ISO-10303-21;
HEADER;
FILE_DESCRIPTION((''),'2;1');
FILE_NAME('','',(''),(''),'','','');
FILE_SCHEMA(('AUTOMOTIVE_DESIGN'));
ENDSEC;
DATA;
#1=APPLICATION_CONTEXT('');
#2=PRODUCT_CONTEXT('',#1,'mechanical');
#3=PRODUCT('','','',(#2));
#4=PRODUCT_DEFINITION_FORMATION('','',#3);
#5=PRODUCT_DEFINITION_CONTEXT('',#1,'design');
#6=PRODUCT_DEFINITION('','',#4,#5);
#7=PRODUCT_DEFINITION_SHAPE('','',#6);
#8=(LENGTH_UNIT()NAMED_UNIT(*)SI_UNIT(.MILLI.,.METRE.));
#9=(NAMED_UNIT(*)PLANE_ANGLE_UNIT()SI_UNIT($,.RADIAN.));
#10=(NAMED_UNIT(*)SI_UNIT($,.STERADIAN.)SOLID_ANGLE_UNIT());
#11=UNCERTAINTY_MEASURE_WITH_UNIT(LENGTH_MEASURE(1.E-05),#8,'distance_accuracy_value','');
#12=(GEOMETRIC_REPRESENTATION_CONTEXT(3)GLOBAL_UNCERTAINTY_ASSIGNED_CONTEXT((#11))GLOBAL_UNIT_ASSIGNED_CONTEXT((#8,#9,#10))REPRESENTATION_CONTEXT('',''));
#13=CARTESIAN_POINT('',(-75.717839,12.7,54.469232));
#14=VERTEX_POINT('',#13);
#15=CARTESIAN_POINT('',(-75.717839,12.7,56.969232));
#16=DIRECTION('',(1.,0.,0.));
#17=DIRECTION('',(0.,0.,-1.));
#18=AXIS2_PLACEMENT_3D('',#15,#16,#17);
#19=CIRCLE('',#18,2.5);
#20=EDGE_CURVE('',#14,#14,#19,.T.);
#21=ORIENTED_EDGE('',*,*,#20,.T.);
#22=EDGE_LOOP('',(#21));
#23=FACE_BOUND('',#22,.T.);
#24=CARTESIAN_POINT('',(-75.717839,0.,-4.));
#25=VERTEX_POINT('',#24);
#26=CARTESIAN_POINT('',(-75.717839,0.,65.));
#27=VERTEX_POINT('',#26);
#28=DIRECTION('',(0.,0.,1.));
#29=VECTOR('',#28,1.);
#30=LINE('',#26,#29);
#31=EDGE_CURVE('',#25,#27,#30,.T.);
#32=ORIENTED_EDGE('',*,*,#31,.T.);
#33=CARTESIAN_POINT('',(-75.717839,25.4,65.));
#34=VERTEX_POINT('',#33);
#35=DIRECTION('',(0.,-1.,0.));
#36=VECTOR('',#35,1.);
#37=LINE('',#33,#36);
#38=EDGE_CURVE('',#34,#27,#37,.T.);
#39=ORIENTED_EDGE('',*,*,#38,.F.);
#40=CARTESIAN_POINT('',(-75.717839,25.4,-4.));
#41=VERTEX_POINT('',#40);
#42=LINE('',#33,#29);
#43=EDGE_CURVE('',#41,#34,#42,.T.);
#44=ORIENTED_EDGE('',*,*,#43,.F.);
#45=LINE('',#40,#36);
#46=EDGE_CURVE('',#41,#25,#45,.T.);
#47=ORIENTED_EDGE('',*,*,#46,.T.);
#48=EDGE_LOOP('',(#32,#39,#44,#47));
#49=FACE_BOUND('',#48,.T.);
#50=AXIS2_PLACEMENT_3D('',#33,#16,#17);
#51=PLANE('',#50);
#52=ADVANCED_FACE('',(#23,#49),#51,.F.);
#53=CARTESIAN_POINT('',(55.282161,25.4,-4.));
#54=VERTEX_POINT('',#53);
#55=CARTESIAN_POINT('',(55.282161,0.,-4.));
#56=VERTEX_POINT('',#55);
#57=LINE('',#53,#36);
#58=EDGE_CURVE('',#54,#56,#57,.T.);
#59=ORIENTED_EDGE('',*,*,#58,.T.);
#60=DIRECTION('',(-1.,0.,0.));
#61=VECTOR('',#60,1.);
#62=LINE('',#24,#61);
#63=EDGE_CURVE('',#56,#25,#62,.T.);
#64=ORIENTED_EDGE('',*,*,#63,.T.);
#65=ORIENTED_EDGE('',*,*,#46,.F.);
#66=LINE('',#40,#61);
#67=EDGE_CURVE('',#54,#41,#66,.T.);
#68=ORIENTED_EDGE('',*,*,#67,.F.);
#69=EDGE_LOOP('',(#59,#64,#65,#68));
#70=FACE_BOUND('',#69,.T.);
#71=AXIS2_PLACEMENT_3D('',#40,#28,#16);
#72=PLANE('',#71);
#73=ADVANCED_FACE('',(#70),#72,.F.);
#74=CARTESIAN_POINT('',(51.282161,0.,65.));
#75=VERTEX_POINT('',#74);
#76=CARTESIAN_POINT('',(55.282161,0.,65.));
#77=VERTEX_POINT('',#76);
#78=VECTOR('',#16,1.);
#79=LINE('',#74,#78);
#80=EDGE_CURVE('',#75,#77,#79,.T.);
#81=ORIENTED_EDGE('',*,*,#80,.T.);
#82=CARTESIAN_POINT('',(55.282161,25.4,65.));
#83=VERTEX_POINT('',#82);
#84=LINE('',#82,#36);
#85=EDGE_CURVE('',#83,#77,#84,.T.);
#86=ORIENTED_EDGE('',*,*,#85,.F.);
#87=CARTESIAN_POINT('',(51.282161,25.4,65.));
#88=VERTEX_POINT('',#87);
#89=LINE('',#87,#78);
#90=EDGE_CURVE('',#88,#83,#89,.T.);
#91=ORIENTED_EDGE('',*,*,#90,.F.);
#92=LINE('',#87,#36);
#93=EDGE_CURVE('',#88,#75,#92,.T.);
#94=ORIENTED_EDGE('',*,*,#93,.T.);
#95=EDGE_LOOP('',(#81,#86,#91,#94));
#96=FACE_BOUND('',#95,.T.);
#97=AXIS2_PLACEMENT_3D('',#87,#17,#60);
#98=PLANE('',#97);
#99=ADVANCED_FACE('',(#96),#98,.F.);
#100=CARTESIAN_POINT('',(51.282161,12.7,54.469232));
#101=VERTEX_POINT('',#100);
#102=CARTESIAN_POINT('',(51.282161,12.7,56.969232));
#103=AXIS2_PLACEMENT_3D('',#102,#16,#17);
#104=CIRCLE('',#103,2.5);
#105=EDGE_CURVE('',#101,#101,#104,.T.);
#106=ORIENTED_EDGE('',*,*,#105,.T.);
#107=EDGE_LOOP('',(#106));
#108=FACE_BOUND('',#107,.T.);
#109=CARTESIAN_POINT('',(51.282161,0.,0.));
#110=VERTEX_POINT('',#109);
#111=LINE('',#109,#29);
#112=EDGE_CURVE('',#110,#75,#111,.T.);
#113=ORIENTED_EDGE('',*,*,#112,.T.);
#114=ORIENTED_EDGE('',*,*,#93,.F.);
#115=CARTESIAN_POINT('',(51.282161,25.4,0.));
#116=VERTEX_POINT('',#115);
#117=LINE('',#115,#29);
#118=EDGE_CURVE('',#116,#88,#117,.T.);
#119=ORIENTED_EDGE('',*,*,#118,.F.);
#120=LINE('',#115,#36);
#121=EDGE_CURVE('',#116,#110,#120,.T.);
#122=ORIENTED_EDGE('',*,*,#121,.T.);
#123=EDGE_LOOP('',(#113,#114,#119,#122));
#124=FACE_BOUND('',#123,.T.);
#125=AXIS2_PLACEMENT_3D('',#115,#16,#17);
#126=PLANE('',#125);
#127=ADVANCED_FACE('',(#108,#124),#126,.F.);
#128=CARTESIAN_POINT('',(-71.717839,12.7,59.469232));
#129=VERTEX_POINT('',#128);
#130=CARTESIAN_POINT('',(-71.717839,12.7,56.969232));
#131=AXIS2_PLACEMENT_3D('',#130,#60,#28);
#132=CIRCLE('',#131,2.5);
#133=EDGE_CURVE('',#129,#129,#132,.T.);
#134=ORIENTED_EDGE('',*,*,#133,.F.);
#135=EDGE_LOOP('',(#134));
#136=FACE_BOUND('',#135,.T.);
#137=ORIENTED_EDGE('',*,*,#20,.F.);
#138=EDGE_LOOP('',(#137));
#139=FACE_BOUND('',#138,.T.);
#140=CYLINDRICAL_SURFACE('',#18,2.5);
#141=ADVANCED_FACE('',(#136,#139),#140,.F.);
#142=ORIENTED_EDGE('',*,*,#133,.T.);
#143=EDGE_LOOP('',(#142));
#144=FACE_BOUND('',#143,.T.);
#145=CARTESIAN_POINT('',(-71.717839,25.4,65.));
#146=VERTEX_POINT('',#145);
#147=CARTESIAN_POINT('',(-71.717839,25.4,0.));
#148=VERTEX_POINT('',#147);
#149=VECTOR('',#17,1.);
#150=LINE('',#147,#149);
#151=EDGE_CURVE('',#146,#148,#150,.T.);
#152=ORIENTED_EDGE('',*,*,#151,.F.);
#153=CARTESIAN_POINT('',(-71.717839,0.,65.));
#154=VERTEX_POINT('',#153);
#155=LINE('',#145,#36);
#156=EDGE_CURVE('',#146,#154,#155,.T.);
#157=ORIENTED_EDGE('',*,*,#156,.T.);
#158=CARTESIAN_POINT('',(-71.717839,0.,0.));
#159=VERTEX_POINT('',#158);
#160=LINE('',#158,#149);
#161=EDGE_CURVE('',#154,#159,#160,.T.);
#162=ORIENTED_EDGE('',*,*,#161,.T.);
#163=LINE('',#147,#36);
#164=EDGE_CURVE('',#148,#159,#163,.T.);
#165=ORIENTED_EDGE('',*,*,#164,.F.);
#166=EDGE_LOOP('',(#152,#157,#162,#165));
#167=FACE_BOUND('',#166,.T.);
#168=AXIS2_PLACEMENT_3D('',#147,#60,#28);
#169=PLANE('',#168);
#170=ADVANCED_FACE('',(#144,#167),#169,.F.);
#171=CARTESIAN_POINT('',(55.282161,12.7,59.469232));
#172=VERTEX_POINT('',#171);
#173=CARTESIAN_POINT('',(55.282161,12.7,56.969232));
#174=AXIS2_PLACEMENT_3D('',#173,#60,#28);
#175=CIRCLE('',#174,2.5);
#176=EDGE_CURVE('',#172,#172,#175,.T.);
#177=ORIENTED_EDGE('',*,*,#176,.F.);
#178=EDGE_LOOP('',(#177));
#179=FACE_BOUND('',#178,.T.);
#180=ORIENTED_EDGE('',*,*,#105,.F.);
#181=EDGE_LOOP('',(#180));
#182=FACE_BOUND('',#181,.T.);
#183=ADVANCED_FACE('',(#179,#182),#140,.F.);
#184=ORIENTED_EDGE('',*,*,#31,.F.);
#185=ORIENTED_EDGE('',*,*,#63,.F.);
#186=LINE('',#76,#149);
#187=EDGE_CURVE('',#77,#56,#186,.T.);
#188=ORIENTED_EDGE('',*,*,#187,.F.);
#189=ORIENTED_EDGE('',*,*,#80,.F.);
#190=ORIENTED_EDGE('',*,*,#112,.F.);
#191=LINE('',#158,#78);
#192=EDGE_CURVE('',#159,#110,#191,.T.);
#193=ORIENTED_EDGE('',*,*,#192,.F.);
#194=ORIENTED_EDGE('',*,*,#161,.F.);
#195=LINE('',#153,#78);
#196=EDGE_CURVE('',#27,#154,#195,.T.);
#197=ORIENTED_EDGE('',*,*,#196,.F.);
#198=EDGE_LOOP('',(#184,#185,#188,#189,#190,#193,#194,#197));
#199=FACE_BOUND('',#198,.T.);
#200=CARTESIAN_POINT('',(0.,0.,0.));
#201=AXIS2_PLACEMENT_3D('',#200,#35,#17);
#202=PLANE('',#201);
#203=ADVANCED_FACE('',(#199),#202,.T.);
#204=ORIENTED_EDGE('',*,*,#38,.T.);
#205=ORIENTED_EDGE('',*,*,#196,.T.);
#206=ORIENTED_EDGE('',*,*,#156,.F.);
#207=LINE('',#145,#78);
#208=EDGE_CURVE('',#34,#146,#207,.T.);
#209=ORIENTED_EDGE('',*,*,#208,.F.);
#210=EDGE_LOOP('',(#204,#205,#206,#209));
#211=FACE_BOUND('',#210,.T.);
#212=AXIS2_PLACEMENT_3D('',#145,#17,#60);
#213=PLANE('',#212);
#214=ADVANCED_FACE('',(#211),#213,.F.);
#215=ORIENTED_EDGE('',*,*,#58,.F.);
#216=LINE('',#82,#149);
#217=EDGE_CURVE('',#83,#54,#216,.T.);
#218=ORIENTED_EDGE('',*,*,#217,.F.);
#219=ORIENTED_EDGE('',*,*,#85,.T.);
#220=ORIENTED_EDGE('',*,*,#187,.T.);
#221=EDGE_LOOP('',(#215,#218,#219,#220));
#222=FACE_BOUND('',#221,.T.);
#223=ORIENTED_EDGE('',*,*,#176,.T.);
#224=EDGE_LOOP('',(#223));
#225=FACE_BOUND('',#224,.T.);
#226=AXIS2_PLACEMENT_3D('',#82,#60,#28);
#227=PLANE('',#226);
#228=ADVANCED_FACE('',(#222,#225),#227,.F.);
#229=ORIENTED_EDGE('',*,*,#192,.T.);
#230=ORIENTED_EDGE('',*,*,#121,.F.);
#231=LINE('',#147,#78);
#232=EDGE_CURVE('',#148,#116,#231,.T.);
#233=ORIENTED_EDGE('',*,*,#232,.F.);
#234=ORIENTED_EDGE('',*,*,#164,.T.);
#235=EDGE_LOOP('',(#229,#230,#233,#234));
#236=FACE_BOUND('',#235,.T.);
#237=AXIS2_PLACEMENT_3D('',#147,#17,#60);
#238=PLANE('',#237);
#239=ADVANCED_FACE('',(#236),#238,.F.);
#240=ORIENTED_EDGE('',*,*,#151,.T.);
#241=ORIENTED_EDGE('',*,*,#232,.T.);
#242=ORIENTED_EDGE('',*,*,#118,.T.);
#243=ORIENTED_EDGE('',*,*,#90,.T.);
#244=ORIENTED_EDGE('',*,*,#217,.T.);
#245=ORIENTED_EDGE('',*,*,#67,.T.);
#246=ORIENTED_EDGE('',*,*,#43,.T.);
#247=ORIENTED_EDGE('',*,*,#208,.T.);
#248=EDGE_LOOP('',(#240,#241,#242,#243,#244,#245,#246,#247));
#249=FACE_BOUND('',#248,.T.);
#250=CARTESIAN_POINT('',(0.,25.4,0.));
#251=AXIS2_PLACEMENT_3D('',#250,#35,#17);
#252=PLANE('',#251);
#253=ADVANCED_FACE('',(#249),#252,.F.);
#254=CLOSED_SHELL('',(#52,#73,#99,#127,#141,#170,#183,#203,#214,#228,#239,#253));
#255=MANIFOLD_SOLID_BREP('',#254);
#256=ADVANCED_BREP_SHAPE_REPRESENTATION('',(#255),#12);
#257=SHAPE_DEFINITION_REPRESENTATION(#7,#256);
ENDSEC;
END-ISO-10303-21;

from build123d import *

# Parameters (mm, degrees)
SALIENTE_EXTRUIR1_DEPTH    = 25.4
CROQUIS3_R                 = 2.5
CORTAR_EXTRUIR1_DEPTH      = 1
CORTAR_EXTRUIR1_DEPTH_BACK = 132


with BuildPart() as part:
    # Croquis1 → Saliente-Extruir1 (new body)
    with BuildSketch(Plane(origin=(0, 0, 0), x_dir=(1, 0, 0), z_dir=(0, 1, 0))):
        Polygon((-71.71783911, 0), (51.28216089, 0), (51.28216089, -65), (55.28216089, -65), (55.28216089, 4), (-75.71783911, 4), (-75.71783911, -65), (-71.71783911, -65), align=None)
    extrude(amount=SALIENTE_EXTRUIR1_DEPTH)

    # Croquis3 → Cortar-Extruir1 (cut, two sides)
    with BuildSketch(Plane(origin=(55.28216089, 0, 0), x_dir=(0, 0, -1), z_dir=(1, 0, 0))) as cortar_extruir1_sk:
        with Locations((-56.969231592, 12.7)):
            Circle(CROQUIS3_R)
    extrude(amount=CORTAR_EXTRUIR1_DEPTH, mode=Mode.SUBTRACT)
    extrude(cortar_extruir1_sk.sketch, amount=-CORTAR_EXTRUIR1_DEPTH_BACK, mode=Mode.SUBTRACT)


solid = part.part
